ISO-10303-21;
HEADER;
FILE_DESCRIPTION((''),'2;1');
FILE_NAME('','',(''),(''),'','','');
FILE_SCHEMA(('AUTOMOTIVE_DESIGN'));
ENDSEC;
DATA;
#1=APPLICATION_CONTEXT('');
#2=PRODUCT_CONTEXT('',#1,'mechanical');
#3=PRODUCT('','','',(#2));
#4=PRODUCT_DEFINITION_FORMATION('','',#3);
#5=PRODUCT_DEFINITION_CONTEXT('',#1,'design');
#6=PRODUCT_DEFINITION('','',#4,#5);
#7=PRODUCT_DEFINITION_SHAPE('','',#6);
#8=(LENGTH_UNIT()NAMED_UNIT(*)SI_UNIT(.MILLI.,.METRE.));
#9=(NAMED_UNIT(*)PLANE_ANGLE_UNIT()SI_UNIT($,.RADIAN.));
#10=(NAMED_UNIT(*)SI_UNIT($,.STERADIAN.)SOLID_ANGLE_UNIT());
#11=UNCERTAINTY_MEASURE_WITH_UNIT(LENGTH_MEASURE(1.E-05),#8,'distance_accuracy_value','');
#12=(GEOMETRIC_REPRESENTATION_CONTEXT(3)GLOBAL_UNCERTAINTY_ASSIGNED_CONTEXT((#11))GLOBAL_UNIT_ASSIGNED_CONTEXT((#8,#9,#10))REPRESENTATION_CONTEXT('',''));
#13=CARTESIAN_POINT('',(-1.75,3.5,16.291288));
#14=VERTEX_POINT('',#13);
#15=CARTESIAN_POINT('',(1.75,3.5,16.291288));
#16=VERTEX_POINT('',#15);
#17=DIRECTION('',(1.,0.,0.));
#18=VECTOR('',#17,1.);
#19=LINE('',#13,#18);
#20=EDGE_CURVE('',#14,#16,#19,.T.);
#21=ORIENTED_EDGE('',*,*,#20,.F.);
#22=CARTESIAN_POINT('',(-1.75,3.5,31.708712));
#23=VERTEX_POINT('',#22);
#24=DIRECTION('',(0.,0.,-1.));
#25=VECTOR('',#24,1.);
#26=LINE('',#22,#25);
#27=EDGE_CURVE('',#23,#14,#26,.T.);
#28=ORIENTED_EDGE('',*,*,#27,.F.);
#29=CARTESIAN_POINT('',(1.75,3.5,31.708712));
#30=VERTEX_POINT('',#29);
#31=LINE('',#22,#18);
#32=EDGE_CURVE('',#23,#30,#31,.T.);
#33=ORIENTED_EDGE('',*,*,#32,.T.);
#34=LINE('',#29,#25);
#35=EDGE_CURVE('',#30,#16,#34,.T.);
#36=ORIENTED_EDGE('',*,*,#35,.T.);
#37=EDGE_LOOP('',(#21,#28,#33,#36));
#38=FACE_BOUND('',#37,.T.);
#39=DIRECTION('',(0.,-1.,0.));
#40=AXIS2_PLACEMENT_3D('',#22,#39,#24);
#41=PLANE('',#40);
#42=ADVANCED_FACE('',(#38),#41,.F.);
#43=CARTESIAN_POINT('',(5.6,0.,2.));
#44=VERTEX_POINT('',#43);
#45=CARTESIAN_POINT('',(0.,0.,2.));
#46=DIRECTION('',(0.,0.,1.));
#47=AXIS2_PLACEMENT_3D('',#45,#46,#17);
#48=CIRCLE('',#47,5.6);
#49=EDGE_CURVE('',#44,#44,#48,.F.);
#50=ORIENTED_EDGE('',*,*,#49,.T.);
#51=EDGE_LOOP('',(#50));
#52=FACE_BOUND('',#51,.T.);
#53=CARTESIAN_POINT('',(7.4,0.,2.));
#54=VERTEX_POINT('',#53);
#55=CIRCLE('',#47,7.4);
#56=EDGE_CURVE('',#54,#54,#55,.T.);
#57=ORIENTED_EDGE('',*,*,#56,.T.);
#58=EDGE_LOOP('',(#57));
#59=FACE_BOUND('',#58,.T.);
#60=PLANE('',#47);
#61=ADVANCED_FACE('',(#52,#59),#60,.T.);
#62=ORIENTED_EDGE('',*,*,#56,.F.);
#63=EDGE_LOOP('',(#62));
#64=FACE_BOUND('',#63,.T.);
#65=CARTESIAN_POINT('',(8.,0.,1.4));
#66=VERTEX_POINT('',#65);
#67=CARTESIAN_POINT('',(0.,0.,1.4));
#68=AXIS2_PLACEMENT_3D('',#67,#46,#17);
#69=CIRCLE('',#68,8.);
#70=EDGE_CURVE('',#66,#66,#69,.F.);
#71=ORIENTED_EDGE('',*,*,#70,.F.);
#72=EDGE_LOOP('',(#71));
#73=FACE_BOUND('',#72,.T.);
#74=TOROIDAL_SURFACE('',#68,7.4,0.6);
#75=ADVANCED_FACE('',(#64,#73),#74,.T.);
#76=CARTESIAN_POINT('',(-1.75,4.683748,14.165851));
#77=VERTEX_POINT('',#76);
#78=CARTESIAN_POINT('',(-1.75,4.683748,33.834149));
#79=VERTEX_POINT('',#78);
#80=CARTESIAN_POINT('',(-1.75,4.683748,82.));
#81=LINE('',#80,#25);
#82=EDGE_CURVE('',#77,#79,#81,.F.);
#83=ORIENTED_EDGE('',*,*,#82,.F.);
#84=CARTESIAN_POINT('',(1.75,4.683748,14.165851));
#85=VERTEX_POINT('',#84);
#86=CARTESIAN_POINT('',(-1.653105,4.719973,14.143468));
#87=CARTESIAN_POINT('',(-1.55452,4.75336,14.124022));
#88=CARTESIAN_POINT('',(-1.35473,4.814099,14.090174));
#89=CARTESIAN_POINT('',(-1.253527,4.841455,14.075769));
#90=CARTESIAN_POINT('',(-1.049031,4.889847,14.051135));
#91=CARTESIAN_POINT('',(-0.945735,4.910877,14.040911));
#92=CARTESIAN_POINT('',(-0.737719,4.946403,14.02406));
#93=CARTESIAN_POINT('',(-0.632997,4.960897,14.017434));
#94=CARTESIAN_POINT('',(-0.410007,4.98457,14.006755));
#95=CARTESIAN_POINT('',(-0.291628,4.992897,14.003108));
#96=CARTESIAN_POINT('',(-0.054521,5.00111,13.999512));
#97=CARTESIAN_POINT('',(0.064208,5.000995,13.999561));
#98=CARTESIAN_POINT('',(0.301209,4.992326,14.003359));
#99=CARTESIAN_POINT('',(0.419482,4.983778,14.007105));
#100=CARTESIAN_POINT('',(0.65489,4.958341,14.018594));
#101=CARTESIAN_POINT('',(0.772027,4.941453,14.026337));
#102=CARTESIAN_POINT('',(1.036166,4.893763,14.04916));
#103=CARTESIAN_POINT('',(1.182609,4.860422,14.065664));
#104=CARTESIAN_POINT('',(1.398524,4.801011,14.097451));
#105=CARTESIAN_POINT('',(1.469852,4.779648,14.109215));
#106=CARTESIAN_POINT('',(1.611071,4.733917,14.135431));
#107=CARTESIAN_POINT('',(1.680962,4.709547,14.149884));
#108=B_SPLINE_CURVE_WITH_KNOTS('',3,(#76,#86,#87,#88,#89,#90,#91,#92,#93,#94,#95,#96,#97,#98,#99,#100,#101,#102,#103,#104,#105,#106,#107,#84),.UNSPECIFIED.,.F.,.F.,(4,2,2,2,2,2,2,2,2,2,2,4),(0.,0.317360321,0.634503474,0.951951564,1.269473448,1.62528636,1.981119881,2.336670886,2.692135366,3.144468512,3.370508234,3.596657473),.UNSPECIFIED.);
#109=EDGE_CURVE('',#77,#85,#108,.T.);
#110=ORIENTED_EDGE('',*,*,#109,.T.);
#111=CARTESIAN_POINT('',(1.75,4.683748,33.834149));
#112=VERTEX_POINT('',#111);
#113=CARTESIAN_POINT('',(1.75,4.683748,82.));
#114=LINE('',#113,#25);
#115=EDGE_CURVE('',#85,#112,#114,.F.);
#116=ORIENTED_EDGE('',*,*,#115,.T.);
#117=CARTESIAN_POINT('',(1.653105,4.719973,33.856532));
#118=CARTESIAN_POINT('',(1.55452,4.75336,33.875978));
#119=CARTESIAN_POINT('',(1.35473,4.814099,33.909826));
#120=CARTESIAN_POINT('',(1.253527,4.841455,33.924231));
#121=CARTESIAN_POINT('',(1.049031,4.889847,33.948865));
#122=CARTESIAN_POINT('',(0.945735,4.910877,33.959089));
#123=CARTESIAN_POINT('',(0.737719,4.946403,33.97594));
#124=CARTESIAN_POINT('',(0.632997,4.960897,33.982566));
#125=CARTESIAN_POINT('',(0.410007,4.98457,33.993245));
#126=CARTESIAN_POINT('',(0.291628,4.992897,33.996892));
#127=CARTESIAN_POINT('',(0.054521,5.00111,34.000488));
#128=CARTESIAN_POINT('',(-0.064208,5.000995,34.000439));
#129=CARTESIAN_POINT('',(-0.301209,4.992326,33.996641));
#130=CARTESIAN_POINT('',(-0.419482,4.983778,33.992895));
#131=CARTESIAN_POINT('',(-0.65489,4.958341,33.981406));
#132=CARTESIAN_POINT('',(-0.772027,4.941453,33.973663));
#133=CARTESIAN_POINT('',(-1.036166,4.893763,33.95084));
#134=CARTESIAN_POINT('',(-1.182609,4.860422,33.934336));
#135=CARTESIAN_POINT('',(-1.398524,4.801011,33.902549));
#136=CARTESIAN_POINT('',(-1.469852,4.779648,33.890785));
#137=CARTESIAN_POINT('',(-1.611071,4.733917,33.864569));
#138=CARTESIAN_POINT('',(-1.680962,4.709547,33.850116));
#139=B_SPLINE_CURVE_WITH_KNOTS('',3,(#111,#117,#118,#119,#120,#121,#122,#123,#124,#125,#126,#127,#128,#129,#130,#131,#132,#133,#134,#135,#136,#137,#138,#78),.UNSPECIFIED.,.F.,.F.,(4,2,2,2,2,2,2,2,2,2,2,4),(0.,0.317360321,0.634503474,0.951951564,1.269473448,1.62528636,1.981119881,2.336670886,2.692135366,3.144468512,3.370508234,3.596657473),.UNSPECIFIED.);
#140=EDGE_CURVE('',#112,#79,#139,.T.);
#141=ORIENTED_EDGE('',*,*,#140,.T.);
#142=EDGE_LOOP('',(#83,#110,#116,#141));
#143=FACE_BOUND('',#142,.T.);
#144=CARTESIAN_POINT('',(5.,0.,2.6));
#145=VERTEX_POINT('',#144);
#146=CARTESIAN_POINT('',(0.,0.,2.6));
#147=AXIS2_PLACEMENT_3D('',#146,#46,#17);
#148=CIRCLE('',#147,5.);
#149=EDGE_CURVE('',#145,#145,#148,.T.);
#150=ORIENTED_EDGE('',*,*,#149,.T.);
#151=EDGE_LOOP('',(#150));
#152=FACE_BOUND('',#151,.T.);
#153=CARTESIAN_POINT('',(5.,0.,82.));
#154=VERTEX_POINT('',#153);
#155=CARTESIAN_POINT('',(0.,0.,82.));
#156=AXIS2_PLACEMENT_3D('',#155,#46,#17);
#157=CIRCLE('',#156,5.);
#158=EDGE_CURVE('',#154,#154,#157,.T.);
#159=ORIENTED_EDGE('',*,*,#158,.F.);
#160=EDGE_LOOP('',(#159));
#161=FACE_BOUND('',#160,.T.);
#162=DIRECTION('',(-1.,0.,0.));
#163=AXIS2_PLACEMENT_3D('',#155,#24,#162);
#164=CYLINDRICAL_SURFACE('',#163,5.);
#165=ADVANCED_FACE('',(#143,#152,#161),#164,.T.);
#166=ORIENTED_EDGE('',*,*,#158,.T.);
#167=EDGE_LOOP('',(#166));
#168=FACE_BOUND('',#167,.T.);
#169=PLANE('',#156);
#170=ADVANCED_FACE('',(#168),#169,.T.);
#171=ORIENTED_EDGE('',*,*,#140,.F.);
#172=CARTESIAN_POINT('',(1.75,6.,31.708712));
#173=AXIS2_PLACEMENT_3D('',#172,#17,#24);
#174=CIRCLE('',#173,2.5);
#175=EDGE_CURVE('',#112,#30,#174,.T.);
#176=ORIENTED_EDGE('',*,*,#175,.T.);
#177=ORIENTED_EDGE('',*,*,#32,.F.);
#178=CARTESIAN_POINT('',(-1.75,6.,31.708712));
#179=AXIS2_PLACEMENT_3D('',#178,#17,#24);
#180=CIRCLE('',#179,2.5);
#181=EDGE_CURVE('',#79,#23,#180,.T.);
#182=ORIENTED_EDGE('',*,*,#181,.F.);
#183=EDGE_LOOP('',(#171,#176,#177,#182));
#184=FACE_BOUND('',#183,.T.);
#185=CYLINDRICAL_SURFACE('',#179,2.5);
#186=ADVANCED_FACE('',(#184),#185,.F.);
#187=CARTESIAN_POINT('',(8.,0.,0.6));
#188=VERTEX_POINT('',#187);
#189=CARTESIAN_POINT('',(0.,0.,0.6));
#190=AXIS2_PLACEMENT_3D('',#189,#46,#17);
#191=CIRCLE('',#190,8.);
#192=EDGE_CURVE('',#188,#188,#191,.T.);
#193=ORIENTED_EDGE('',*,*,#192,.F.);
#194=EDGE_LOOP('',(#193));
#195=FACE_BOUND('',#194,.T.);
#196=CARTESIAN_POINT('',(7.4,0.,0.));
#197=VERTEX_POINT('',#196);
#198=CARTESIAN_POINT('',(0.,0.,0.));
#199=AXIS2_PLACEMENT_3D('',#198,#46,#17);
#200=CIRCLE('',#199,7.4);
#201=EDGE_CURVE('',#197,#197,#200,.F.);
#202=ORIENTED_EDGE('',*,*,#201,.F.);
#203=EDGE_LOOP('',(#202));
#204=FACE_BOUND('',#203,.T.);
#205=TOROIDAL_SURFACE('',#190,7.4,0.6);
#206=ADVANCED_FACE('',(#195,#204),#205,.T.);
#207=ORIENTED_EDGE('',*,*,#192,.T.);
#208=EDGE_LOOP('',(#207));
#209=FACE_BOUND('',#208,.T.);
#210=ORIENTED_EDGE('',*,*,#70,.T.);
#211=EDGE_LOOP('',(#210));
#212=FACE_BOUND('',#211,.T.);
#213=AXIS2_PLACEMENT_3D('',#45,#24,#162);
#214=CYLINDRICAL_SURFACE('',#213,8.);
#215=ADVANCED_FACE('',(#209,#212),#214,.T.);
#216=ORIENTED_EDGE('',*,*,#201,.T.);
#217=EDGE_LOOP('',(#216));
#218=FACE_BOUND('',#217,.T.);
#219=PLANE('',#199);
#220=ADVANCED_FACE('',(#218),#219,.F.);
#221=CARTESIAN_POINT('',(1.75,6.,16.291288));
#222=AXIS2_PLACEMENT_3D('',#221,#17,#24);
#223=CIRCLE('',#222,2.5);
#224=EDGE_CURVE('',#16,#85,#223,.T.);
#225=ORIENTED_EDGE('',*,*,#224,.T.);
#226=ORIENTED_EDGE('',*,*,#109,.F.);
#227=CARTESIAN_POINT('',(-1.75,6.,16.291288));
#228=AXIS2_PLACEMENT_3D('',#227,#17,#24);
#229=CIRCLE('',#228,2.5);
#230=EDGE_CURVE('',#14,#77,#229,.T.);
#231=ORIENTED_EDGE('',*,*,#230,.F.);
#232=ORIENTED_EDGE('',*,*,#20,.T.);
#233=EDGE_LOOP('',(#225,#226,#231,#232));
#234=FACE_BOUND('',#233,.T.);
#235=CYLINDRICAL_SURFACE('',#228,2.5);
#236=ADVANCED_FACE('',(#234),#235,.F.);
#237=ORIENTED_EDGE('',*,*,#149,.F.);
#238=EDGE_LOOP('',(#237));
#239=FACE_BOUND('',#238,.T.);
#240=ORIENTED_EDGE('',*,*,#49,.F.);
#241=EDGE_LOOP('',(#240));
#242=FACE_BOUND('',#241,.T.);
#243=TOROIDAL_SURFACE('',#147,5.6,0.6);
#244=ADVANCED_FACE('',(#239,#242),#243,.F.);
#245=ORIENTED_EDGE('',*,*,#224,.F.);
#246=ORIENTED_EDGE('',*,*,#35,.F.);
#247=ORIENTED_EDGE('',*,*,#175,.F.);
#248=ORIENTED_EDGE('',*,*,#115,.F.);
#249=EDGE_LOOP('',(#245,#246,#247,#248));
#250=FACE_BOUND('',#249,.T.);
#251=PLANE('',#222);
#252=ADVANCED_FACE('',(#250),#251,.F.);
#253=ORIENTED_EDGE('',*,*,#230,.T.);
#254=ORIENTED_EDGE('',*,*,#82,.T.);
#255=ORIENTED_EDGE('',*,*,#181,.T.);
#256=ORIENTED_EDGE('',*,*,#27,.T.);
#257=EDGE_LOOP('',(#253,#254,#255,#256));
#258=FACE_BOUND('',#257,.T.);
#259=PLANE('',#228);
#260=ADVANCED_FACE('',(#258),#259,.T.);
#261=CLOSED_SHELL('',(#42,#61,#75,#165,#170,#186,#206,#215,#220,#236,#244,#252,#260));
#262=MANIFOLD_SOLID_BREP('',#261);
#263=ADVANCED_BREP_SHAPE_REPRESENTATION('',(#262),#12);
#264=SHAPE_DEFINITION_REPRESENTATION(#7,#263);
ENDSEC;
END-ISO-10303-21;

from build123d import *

# Parameters (mm, degrees)
SKETCH1_R           = 8
BOSS_EXTRUDE1_DEPTH = 2
SKETCH2_R           = 5
BOSS_EXTRUDE2_DEPTH = 80
CUT_EXTRUDE1_DEPTH  = 1.75
FILLET2_R           = 0.6


with BuildPart() as part:
    # Sketch1 → Boss-Extrude1 (new body)
    with BuildSketch(Plane.XY):
        Circle(SKETCH1_R)
    extrude(amount=BOSS_EXTRUDE1_DEPTH)

    # Sketch2 → Boss-Extrude2 (add)
    with BuildSketch(Plane.XY.offset(2)):
        Circle(SKETCH2_R)
    extrude(amount=BOSS_EXTRUDE2_DEPTH)

    # Sketch4 → Cut-Extrude1 (cut, symmetric)
    with BuildSketch(Plane(origin=(0, 0, 0), x_dir=(0, 0, -1), z_dir=(1, 0, 0))):
        with BuildLine():
            Line((-34, 5), (-14, 5))
            ThreePointArc((-14, 5), (-14.921981454, 3.908349934), (-16.291287847, 3.5))
            Line((-16.291287847, 3.5), (-31.708712153, 3.5))
            ThreePointArc((-31.708712153, 3.5), (-33.078018546, 3.908349934), (-34, 5))
        make_face()
    extrude(amount=CUT_EXTRUDE1_DEPTH, both=True, mode=Mode.SUBTRACT)

    # Fillet2
    fillet2_edges = [part.edges().sort_by_distance(p)[0] for p in [
        (-8, 0, 0),
        (-8, 0, 2),
        (-5, 0, 2),
    ]]
    fillet(fillet2_edges, radius=FILLET2_R)


solid = part.part
